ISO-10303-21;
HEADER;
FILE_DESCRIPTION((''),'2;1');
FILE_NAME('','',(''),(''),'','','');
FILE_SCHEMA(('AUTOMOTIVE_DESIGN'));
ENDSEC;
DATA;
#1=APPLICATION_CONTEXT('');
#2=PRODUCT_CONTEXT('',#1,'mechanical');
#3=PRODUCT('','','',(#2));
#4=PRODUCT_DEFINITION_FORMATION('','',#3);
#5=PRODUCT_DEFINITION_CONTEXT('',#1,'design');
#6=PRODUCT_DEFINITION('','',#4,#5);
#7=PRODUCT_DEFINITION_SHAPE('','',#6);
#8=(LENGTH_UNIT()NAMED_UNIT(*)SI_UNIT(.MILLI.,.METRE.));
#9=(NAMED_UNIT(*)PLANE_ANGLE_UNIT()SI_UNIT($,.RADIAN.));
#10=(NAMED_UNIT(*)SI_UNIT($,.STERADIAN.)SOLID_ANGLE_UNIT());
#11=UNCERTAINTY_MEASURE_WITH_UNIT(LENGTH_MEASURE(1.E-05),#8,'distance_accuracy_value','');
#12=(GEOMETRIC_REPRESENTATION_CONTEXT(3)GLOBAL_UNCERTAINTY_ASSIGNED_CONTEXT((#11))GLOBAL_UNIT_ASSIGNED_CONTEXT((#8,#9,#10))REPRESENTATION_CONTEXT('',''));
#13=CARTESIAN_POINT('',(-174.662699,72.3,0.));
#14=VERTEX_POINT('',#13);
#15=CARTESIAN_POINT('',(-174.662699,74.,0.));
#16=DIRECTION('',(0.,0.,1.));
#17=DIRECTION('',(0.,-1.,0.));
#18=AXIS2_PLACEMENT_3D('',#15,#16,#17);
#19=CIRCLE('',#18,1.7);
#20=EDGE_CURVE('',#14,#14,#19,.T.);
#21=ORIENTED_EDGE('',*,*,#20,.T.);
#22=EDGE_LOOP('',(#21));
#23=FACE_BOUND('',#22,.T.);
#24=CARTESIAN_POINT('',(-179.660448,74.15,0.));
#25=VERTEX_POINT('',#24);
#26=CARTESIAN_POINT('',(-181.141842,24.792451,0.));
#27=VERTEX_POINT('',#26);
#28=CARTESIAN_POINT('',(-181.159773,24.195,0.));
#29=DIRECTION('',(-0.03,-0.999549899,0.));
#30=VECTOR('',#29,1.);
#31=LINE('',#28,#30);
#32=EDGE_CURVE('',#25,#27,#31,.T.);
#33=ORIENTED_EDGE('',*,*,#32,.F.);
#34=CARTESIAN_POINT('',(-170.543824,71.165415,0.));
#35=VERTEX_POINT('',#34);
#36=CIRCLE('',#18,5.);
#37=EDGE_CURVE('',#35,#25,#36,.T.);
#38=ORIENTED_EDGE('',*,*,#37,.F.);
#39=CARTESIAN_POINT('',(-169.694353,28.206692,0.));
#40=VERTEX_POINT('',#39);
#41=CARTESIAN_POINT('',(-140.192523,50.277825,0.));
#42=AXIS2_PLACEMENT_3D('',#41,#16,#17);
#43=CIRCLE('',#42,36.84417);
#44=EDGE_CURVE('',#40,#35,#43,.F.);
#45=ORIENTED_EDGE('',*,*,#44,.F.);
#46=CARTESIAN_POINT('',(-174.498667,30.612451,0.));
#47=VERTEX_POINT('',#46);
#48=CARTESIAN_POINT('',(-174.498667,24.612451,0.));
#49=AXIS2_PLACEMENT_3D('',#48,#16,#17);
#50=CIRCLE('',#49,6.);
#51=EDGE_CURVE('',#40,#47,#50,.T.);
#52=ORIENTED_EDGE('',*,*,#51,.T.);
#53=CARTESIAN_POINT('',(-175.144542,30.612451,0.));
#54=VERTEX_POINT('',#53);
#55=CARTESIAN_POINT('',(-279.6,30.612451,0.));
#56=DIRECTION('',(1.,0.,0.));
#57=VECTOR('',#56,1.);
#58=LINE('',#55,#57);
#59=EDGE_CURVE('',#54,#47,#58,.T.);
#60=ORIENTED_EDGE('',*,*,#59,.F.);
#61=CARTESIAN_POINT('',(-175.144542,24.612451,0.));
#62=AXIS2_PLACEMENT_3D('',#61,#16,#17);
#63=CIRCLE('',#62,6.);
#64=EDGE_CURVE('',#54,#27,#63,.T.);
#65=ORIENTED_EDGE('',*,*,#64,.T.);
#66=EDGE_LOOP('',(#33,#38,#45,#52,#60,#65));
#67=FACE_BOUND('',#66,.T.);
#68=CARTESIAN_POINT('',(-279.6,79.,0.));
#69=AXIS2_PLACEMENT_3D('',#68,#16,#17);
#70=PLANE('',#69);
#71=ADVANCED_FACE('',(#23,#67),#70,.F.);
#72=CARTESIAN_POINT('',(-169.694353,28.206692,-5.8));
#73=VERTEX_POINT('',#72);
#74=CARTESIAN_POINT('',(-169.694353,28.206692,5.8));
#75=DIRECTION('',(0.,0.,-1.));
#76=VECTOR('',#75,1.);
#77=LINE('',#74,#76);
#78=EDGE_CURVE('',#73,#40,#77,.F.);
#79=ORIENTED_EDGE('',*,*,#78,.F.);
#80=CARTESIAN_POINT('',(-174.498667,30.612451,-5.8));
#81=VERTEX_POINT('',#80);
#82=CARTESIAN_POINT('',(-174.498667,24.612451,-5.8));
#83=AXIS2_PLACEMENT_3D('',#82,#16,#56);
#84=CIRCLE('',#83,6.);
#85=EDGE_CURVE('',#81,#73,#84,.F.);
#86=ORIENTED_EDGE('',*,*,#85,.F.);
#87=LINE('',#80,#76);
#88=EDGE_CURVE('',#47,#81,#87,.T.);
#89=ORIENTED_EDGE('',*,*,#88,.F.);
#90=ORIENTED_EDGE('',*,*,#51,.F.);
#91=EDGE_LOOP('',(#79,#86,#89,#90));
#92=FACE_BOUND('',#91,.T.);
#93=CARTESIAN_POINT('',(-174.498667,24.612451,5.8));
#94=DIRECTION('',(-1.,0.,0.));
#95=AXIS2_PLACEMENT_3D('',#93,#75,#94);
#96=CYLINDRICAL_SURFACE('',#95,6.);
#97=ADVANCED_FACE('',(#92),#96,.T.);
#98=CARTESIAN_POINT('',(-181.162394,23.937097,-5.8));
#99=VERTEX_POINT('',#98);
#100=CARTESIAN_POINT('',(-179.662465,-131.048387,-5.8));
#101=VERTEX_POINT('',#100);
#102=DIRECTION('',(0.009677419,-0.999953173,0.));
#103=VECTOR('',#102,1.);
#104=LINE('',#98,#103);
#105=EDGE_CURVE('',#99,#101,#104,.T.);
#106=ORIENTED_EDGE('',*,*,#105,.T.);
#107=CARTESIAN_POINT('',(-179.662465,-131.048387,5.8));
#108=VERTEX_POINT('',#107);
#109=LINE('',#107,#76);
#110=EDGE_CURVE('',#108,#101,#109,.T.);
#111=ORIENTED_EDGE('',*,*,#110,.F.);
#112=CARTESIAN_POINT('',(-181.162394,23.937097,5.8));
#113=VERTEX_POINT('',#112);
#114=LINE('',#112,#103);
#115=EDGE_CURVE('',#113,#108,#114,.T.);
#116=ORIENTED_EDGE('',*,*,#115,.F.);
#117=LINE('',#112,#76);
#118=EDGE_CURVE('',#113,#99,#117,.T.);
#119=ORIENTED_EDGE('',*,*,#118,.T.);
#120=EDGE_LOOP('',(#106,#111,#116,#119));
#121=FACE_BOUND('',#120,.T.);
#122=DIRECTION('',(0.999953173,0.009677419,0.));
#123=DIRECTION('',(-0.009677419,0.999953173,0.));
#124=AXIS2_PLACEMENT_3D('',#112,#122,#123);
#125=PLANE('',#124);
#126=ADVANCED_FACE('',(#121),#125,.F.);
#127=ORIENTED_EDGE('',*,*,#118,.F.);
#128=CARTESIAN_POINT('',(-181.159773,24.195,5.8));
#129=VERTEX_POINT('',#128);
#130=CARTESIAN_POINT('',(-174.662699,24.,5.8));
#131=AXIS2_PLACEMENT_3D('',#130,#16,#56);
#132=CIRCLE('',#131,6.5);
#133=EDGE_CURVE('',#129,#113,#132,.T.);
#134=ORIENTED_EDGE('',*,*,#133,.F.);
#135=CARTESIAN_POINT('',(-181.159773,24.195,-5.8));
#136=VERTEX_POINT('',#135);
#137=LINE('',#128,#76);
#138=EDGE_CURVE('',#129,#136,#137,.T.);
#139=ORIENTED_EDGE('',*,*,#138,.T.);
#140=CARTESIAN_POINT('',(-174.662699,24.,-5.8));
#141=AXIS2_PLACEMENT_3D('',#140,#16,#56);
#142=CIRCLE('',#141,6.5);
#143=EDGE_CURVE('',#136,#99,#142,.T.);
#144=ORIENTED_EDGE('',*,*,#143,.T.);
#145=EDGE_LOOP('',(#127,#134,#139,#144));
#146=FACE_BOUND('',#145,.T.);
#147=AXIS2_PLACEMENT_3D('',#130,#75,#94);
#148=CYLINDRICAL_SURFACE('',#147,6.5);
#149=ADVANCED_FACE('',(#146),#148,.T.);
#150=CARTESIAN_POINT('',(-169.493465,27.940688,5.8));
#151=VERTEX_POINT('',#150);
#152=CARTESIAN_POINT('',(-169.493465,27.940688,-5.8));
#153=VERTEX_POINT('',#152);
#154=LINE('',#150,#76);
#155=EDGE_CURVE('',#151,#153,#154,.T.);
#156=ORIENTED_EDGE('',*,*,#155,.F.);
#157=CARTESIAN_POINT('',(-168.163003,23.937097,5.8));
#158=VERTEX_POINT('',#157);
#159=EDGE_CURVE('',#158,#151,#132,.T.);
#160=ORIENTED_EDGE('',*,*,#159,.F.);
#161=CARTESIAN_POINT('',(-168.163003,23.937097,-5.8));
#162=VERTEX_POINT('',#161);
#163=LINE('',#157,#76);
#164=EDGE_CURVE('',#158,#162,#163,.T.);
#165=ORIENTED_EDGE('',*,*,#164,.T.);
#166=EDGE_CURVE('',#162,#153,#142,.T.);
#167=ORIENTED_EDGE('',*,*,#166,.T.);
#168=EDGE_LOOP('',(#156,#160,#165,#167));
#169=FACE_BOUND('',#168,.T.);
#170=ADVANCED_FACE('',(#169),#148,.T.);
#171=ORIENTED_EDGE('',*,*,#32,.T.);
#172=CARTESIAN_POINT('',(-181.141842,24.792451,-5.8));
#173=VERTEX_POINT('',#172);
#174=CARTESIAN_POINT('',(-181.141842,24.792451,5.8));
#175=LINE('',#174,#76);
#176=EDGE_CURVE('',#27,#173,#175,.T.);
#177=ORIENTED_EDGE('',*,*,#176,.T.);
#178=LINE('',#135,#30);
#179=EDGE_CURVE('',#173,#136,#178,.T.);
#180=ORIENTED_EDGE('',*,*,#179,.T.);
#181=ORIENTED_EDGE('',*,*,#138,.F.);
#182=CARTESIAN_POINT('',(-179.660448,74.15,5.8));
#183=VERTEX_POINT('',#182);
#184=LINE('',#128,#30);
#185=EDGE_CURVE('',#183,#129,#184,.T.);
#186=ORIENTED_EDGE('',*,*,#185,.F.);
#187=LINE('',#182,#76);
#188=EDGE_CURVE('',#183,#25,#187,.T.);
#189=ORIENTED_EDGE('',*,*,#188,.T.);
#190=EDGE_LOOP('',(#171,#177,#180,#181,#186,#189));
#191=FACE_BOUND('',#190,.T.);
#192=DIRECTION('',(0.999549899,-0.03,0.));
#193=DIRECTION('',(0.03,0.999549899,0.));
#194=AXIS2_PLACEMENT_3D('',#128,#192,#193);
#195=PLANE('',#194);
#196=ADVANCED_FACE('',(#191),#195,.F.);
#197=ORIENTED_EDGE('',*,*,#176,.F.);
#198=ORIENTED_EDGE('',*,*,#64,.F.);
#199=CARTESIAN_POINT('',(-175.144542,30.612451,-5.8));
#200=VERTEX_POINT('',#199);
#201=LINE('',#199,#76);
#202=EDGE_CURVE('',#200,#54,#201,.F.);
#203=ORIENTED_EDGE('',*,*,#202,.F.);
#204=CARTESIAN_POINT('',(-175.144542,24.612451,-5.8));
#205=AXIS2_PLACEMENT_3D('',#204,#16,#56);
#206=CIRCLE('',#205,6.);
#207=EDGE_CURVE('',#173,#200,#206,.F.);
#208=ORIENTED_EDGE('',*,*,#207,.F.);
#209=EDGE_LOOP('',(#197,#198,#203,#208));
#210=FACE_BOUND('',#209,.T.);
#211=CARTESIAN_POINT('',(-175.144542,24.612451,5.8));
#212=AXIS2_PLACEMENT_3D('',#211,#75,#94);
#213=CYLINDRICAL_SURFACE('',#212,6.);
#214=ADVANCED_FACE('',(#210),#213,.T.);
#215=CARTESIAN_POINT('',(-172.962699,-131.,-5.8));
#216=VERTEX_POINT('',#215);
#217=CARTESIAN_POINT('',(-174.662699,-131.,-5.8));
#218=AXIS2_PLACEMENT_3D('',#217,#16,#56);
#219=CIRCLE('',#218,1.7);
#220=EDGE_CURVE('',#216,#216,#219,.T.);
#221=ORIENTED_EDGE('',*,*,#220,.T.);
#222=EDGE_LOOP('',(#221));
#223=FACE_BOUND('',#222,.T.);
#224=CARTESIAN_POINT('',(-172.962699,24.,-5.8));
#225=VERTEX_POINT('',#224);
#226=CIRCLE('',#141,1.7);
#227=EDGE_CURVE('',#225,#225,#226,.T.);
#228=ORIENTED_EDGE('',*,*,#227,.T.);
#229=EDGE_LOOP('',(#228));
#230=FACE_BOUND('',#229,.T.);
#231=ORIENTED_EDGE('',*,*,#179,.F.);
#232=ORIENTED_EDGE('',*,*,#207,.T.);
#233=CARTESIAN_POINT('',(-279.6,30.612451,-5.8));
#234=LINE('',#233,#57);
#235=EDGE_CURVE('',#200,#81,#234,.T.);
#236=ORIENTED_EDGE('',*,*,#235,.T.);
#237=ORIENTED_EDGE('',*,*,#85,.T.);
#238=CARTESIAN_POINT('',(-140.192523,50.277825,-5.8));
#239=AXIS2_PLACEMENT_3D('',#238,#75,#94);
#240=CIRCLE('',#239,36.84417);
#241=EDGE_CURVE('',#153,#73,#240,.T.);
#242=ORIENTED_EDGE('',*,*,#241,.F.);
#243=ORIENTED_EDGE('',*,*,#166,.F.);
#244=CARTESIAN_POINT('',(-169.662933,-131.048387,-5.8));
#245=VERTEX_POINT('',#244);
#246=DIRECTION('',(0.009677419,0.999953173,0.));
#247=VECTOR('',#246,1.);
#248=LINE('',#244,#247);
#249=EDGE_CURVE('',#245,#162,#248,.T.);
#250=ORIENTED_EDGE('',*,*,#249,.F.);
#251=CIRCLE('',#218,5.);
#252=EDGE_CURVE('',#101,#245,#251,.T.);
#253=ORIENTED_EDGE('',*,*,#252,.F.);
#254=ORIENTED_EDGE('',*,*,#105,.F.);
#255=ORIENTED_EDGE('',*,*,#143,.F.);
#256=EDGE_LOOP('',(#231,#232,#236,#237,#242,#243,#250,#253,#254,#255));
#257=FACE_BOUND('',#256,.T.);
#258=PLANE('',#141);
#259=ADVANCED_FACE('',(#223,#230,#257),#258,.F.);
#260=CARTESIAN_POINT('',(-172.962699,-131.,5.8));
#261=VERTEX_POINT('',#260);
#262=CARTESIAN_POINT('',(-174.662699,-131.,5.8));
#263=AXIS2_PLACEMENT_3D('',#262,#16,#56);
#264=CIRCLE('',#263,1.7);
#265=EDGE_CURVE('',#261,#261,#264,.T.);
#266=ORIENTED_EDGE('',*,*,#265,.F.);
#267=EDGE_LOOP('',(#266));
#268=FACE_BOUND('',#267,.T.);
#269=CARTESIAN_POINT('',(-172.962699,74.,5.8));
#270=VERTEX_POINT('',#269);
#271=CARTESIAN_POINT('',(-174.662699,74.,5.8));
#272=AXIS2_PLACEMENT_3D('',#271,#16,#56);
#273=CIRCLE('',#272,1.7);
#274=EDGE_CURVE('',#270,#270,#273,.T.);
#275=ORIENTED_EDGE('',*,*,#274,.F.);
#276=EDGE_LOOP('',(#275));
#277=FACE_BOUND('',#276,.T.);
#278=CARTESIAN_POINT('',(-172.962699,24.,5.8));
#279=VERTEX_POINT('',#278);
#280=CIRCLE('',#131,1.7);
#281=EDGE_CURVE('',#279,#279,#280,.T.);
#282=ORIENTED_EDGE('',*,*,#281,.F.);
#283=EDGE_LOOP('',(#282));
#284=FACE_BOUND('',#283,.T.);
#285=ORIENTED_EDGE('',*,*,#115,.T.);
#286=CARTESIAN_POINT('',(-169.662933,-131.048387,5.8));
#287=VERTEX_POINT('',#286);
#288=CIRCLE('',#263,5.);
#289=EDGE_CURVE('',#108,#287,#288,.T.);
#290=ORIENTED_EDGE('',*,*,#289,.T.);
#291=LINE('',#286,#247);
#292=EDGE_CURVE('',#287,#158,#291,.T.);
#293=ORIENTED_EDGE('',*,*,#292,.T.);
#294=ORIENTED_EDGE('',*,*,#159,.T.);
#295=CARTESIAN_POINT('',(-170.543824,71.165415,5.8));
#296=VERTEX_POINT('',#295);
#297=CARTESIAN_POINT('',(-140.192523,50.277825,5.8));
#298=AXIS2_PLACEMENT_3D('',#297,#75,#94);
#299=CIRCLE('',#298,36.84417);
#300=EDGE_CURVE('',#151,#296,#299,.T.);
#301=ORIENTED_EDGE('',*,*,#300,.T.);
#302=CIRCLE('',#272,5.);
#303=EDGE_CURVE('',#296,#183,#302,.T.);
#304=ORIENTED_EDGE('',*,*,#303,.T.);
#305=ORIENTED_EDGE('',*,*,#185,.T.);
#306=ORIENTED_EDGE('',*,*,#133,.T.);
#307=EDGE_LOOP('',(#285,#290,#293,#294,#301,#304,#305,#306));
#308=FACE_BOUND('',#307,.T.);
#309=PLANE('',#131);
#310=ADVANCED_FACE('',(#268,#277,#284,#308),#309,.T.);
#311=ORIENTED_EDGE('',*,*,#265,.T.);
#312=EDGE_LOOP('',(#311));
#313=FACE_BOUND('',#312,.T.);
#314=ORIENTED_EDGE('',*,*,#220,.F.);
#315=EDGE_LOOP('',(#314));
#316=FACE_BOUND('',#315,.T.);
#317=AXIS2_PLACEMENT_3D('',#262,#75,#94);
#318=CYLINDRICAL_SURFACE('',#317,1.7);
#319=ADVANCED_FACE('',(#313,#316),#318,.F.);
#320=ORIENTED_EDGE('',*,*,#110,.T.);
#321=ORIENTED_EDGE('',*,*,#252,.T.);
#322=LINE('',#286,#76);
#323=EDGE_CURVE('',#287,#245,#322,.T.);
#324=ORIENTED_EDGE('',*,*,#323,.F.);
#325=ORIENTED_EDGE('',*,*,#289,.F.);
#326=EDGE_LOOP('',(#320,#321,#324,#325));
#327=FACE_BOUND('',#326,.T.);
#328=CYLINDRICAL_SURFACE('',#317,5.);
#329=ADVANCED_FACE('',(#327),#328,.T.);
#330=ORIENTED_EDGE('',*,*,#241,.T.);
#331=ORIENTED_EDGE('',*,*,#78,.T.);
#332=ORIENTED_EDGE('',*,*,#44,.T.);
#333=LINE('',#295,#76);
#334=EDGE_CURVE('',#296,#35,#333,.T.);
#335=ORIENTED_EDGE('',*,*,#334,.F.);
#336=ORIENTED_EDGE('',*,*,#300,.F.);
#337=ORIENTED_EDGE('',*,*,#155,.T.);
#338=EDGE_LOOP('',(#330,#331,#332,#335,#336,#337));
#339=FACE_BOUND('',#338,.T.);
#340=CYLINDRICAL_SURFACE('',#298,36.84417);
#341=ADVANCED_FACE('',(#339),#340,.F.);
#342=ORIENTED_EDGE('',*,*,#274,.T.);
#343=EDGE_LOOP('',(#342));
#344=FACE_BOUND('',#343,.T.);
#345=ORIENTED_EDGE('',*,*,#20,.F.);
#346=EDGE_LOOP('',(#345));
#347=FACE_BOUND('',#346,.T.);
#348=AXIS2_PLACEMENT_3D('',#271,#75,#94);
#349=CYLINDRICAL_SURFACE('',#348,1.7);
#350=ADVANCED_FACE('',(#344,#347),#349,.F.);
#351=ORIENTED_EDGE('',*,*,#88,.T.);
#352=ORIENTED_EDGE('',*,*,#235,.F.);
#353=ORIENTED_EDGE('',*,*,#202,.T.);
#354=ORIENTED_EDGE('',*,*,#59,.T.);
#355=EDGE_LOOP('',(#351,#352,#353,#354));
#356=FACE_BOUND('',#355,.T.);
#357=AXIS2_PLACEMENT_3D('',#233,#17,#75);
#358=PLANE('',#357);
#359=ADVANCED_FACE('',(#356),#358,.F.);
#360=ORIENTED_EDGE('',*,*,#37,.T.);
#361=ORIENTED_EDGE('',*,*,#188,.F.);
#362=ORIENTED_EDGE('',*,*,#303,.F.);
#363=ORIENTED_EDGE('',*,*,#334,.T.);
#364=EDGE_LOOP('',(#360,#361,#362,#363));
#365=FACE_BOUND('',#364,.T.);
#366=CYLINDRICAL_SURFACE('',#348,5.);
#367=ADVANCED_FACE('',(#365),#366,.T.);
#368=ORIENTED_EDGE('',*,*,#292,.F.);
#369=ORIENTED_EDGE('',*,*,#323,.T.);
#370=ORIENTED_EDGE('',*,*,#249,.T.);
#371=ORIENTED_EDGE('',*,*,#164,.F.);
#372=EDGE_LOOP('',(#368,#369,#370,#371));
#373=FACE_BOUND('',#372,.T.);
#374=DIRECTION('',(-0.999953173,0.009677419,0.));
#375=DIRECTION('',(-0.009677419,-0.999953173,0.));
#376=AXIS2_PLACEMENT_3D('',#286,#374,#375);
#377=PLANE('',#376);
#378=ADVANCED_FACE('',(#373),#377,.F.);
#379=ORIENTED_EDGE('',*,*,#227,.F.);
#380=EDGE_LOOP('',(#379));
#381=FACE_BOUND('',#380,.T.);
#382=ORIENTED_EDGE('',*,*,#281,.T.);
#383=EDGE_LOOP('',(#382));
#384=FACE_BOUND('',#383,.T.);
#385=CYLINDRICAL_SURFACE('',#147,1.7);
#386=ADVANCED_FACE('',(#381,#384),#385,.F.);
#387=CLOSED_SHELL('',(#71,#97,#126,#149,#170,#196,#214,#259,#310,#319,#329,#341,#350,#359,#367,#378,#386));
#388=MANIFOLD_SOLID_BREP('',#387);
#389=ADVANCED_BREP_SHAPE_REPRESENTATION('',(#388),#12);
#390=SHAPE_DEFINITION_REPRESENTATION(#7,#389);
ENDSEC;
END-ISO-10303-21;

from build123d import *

# Parameters (mm, degrees)
SKETCH_1_R          = 1.7
EXTRUDE_1_DEPTH     = 5.8
SKETCH_2_W          = 5.8
SKETCH_2_H          = 48.387548751
CUT_EXTRUDE_1_DEPTH = 279.6
FILLET_1_R          = 6


with BuildPart() as part:
    # 草图1 → 凸台-拉伸1 (new body, symmetric)
    with BuildSketch(Plane.XY):
        with BuildLine():
            Line((-181.16239443, 23.937096774), (-179.662464671, -131.048387097))
            ThreePointArc((-179.662464671, -131.048387097), (-174.662698808, -136), (-169.662932944, -131.048387097))
            Line((-169.662932944, -131.048387097), (-168.163003185, 23.937096774))
            ThreePointArc((-168.163003185, 23.937096774), (-168.494379467, 26.049838166), (-169.49346521, 27.940688267))
            ThreePointArc((-169.49346521, 27.940688267), (-177.025820297, 49.382777319), (-170.5438245, 71.165414592))
            ThreePointArc((-170.5438245, 71.165414592), (-173.107050096, 78.751837233), (-179.660448301, 74.15))
            Line((-179.660448301, 74.15), (-181.159773149, 24.195))
            ThreePointArc((-181.159773149, 24.195), (-181.162363098, 24.06606139), (-181.16239443, 23.937096774))
        make_face()
        with Locations((-174.662698808, 24)):
            Circle(SKETCH_1_R, mode=Mode.SUBTRACT)
        with Locations((-174.662698808, -131)):
            Circle(SKETCH_1_R, mode=Mode.SUBTRACT)
        with Locations((-174.662698808, 74)):
            Circle(SKETCH_1_R, mode=Mode.SUBTRACT)
    extrude(amount=EXTRUDE_1_DEPTH, both=True)

    # 草图2 → 切除-拉伸1 (cut)
    with BuildSketch(Plane(origin=(0, 0, 0), x_dir=(0, 0, -1), z_dir=(1, 0, 0))):
        with Locations((2.9, 54.806225625)):
            Rectangle(SKETCH_2_W, SKETCH_2_H)
    extrude(amount=-CUT_EXTRUDE_1_DEPTH, mode=Mode.SUBTRACT)

    # 圆角1
    fillet_1_edges = [part.edges().sort_by_distance(p)[0] for p in [
        (-180.967162918, 30.612451249, -2.9),
        (-171.349640462, 30.612451249, -2.9),
    ]]
    fillet(fillet_1_edges, radius=FILLET_1_R)


solid = part.part
